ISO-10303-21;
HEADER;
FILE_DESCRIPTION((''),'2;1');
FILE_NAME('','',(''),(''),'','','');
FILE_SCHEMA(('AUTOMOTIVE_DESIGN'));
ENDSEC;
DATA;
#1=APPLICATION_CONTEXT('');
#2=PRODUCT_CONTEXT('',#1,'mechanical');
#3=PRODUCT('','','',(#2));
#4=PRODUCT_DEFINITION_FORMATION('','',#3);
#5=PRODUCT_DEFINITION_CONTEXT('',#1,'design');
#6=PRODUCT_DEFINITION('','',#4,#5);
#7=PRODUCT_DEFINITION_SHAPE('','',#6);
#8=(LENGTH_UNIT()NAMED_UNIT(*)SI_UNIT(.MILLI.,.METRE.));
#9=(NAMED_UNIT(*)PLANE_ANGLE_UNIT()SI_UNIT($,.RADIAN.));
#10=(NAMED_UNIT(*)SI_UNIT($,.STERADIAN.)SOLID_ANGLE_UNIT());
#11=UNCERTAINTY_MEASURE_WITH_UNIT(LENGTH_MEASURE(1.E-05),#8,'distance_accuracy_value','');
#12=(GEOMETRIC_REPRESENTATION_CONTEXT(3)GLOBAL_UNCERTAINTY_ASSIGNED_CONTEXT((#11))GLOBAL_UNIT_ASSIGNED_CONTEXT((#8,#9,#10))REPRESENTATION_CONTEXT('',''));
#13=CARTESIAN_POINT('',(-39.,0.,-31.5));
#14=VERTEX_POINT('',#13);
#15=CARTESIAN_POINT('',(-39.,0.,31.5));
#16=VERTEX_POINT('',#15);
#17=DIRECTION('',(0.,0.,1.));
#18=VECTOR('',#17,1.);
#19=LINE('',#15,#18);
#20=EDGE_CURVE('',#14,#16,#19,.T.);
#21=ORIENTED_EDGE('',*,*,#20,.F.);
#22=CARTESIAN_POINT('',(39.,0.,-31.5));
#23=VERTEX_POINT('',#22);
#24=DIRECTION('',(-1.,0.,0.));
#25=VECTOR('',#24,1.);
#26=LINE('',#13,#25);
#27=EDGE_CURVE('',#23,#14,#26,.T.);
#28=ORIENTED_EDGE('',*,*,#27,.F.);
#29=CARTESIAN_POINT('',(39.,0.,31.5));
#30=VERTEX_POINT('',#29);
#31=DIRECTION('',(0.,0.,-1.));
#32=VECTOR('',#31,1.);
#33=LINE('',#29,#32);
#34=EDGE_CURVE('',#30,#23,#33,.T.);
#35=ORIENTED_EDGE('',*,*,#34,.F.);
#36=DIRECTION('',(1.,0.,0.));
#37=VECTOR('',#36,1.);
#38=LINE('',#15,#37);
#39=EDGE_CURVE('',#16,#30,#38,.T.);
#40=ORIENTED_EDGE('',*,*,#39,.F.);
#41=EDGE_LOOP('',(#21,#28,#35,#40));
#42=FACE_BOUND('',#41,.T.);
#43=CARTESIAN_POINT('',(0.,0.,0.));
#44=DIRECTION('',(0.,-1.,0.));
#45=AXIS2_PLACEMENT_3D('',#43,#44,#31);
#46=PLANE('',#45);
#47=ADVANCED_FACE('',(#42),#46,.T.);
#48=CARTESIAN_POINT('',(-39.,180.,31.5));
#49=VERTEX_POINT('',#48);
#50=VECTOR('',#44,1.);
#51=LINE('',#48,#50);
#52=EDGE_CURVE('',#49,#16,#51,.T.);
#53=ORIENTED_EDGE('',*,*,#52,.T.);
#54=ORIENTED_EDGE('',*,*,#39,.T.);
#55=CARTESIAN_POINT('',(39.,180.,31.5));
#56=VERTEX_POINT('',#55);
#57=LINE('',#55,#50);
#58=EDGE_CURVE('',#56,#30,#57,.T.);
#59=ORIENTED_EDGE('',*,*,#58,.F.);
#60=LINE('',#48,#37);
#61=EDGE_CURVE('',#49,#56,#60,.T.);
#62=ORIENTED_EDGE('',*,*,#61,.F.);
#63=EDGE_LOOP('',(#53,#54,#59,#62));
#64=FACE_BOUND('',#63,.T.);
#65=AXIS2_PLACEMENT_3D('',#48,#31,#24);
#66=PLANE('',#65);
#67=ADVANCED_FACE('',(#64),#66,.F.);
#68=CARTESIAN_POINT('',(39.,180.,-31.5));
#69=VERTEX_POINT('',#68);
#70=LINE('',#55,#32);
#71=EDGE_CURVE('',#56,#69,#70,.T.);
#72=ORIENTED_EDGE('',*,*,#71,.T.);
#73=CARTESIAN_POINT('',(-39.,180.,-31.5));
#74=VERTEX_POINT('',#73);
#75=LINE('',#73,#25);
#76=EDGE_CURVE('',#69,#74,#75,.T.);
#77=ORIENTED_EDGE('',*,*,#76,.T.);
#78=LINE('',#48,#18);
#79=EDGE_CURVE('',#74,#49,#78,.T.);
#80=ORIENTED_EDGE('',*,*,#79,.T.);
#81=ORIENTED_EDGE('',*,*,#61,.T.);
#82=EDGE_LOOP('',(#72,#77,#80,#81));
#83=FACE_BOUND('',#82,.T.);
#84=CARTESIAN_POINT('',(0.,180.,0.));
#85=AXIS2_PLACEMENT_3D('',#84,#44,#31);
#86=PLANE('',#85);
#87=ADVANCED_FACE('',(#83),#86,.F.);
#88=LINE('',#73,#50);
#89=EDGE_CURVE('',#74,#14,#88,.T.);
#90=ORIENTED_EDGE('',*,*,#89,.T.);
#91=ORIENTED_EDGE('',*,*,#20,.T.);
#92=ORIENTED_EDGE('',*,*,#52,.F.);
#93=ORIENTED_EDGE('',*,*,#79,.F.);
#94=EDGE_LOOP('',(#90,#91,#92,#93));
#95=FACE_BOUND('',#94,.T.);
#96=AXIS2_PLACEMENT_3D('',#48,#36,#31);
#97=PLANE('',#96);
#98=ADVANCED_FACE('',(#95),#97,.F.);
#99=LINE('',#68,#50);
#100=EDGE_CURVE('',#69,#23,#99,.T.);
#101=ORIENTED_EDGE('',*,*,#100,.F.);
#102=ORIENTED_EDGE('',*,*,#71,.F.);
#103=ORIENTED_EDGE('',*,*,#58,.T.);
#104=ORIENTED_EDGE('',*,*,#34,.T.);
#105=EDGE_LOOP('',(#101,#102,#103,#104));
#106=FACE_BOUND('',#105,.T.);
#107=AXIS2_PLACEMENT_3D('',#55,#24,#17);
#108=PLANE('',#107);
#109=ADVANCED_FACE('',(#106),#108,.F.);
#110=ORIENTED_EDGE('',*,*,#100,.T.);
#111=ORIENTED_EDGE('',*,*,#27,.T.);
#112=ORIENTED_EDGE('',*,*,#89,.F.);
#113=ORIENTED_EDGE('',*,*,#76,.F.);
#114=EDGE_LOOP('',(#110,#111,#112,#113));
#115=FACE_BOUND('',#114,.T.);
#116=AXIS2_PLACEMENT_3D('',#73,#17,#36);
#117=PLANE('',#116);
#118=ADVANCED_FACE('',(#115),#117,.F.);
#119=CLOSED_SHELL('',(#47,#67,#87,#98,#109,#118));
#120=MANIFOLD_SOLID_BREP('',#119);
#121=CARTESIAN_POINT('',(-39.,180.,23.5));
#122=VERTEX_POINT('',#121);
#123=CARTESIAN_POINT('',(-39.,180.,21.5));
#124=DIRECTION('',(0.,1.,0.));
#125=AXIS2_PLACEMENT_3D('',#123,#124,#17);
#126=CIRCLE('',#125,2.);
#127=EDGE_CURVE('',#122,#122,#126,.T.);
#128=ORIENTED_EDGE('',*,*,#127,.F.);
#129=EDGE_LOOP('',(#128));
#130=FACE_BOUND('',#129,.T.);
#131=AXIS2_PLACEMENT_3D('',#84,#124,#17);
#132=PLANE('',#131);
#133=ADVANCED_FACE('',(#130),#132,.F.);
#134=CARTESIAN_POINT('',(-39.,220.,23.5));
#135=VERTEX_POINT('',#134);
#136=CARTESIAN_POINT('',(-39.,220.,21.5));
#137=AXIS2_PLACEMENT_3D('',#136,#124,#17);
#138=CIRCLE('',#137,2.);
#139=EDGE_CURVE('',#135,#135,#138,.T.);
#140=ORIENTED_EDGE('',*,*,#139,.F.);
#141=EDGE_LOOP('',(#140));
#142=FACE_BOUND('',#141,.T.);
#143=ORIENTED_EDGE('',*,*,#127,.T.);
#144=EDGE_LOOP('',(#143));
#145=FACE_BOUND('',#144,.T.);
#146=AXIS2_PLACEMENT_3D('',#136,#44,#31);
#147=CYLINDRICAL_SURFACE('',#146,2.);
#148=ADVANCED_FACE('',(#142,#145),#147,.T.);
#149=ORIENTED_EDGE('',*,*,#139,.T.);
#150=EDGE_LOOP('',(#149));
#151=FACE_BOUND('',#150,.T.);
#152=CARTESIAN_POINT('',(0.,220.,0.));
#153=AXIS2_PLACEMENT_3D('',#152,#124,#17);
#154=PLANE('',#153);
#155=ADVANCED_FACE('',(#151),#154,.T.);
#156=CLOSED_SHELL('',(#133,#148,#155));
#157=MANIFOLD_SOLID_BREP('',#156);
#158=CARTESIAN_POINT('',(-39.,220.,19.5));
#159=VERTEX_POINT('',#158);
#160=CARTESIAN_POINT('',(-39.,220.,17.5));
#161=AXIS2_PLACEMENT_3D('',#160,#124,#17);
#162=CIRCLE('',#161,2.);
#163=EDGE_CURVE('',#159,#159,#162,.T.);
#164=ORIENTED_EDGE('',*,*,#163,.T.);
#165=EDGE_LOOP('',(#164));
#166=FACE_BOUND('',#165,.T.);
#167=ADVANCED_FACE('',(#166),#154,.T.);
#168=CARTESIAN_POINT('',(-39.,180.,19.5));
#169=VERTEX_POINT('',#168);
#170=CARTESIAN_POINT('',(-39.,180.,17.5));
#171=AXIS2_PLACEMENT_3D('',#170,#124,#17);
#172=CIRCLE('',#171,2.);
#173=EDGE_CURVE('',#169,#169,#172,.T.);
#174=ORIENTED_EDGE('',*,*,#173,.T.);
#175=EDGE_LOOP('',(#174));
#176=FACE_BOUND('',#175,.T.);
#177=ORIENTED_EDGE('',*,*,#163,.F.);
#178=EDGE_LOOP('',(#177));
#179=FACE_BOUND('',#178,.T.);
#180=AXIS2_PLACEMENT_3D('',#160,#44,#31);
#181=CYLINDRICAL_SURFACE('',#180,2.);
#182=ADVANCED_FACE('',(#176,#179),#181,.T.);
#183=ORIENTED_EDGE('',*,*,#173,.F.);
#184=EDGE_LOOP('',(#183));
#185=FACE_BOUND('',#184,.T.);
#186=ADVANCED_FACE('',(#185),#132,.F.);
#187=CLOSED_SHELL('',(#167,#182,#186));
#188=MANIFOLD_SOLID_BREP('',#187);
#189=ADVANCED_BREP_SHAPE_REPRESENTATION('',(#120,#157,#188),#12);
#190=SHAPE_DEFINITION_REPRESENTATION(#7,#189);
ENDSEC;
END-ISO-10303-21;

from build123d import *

# Parameters (mm, degrees)
SKETCH1_W           = 78
SKETCH1_H           = 63
BOSS_EXTRUDE1_DEPTH = 180
BOSS_EXTRUDE4_DEPTH = 40


with BuildPart() as part:
    # Sketch1 → Boss-Extrude1 (new body)
    with BuildSketch(Plane(origin=(0, 0, 0), x_dir=(1, 0, 0), z_dir=(0, 1, 0))):
        Rectangle(SKETCH1_W, SKETCH1_H)
    extrude(amount=BOSS_EXTRUDE1_DEPTH)


with BuildPart() as body_2:
    # Sketch2 → Boss-Extrude4 (new body)
    with BuildSketch(Plane(origin=(0, 180, 0), x_dir=(1, 0, 0), z_dir=(0, 1, 0))):
        with BuildLine():
            ThreePointArc((-39, -23.5), (-37.585786438, -22.914213562), (-37, -21.5))
            ThreePointArc((-37, -21.5), (-37.585786438, -20.085786438), (-39, -19.5))
            Line((-39, -19.5), (-39, -23.5))
        make_face()
        with BuildLine():
            Line((-39, -23.5), (-39, -19.5))
            ThreePointArc((-39, -19.5), (-41, -21.5), (-39, -23.5))
        make_face()
        with BuildLine():
            ThreePointArc((-39, -15.5), (-41, -17.5), (-39, -19.5))
            Line((-39, -19.5), (-39, -15.5))
        make_face()
        with BuildLine():
            Line((-39, -15.5), (-39, -19.5))
            ThreePointArc((-39, -19.5), (-37.585786438, -18.914213562), (-37, -17.5))
            ThreePointArc((-37, -17.5), (-37.585786438, -16.085786438), (-39, -15.5))
        make_face()
    extrude(amount=BOSS_EXTRUDE4_DEPTH)


solid = Compound([part.part, body_2.part])
